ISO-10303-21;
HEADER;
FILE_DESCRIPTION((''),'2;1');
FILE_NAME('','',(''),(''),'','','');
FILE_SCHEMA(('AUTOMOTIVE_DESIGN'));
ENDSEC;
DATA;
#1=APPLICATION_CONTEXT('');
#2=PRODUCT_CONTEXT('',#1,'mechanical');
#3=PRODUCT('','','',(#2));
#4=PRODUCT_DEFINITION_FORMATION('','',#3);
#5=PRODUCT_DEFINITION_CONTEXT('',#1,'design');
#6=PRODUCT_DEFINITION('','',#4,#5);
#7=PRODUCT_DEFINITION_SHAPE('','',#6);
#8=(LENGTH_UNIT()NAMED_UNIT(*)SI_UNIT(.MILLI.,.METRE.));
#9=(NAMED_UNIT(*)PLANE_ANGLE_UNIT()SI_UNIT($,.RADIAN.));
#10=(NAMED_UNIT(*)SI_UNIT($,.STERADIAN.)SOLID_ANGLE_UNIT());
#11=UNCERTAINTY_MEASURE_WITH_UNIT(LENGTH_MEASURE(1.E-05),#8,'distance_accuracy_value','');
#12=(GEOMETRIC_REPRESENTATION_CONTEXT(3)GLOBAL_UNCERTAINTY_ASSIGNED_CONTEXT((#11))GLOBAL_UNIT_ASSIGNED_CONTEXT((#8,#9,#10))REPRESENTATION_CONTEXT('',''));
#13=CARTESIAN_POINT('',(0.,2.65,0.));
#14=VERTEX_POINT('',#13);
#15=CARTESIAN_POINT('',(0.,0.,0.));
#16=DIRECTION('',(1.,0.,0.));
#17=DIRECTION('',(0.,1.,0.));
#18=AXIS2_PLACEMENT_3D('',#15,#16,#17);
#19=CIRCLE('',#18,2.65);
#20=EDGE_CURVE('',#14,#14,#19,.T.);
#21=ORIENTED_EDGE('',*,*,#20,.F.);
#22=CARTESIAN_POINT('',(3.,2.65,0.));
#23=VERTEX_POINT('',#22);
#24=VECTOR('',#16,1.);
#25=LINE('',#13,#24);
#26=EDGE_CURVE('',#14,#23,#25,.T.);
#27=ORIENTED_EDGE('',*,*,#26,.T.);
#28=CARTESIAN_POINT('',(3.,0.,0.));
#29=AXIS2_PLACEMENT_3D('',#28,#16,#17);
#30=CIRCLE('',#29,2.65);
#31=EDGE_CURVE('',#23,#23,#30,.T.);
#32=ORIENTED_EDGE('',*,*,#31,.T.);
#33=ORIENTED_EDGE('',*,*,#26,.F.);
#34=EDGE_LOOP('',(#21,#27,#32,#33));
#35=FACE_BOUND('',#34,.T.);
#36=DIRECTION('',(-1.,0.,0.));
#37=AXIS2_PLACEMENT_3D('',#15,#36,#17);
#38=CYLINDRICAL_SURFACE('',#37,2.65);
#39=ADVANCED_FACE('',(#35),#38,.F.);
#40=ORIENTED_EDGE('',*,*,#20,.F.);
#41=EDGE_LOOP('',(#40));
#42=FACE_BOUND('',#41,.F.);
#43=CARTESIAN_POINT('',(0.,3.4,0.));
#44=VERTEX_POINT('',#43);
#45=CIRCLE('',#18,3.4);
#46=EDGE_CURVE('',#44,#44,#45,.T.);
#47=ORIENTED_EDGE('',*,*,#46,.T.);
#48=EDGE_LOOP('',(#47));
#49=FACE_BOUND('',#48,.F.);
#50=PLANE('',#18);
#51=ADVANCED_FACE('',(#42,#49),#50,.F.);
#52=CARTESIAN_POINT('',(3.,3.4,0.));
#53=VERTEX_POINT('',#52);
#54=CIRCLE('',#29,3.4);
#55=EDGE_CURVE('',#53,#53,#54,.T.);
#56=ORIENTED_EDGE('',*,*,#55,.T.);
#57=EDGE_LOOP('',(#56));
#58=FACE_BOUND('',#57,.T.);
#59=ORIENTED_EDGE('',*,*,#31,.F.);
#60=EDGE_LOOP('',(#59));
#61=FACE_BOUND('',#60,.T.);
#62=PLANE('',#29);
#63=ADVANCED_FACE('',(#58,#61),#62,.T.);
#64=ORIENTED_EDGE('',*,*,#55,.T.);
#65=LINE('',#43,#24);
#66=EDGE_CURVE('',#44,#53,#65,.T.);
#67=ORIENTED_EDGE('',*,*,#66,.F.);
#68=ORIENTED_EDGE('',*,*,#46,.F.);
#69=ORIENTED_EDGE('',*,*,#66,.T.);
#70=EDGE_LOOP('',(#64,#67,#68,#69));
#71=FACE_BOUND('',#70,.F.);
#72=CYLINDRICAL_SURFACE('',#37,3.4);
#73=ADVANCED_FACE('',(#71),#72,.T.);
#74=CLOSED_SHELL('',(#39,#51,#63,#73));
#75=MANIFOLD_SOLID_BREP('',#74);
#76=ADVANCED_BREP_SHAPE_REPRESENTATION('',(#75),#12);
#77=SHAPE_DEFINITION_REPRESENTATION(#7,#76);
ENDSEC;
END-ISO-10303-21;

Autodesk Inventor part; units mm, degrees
ref_plane "YZ Plane" through (0, 0, 0) normal (1, 0, 0) x (0, 1, 0)
ref_plane "XZ Plane" through (0, 0, 0) normal (0, 1, 0) x (-1, 0, 0)
ref_plane "XY Plane" through (0, 0, 0) normal (0, 0, 1) x (1, 0, 0)
sketch "Sketch1" plane through (0, 0, 0) normal (1, 0, 0) x (0, 1, 0)
  circle A0 centre (0, 0) radius 2.65
  circle A1 centre (0, 0) radius 3.4
  dimension "d0" = 5.3
  dimension "d1" = 6.8
extrude "Extrusion1" add sketch "Sketch1" along normal blind 3
properties part number "Idler Pully Spacer X Axis 3mm"
